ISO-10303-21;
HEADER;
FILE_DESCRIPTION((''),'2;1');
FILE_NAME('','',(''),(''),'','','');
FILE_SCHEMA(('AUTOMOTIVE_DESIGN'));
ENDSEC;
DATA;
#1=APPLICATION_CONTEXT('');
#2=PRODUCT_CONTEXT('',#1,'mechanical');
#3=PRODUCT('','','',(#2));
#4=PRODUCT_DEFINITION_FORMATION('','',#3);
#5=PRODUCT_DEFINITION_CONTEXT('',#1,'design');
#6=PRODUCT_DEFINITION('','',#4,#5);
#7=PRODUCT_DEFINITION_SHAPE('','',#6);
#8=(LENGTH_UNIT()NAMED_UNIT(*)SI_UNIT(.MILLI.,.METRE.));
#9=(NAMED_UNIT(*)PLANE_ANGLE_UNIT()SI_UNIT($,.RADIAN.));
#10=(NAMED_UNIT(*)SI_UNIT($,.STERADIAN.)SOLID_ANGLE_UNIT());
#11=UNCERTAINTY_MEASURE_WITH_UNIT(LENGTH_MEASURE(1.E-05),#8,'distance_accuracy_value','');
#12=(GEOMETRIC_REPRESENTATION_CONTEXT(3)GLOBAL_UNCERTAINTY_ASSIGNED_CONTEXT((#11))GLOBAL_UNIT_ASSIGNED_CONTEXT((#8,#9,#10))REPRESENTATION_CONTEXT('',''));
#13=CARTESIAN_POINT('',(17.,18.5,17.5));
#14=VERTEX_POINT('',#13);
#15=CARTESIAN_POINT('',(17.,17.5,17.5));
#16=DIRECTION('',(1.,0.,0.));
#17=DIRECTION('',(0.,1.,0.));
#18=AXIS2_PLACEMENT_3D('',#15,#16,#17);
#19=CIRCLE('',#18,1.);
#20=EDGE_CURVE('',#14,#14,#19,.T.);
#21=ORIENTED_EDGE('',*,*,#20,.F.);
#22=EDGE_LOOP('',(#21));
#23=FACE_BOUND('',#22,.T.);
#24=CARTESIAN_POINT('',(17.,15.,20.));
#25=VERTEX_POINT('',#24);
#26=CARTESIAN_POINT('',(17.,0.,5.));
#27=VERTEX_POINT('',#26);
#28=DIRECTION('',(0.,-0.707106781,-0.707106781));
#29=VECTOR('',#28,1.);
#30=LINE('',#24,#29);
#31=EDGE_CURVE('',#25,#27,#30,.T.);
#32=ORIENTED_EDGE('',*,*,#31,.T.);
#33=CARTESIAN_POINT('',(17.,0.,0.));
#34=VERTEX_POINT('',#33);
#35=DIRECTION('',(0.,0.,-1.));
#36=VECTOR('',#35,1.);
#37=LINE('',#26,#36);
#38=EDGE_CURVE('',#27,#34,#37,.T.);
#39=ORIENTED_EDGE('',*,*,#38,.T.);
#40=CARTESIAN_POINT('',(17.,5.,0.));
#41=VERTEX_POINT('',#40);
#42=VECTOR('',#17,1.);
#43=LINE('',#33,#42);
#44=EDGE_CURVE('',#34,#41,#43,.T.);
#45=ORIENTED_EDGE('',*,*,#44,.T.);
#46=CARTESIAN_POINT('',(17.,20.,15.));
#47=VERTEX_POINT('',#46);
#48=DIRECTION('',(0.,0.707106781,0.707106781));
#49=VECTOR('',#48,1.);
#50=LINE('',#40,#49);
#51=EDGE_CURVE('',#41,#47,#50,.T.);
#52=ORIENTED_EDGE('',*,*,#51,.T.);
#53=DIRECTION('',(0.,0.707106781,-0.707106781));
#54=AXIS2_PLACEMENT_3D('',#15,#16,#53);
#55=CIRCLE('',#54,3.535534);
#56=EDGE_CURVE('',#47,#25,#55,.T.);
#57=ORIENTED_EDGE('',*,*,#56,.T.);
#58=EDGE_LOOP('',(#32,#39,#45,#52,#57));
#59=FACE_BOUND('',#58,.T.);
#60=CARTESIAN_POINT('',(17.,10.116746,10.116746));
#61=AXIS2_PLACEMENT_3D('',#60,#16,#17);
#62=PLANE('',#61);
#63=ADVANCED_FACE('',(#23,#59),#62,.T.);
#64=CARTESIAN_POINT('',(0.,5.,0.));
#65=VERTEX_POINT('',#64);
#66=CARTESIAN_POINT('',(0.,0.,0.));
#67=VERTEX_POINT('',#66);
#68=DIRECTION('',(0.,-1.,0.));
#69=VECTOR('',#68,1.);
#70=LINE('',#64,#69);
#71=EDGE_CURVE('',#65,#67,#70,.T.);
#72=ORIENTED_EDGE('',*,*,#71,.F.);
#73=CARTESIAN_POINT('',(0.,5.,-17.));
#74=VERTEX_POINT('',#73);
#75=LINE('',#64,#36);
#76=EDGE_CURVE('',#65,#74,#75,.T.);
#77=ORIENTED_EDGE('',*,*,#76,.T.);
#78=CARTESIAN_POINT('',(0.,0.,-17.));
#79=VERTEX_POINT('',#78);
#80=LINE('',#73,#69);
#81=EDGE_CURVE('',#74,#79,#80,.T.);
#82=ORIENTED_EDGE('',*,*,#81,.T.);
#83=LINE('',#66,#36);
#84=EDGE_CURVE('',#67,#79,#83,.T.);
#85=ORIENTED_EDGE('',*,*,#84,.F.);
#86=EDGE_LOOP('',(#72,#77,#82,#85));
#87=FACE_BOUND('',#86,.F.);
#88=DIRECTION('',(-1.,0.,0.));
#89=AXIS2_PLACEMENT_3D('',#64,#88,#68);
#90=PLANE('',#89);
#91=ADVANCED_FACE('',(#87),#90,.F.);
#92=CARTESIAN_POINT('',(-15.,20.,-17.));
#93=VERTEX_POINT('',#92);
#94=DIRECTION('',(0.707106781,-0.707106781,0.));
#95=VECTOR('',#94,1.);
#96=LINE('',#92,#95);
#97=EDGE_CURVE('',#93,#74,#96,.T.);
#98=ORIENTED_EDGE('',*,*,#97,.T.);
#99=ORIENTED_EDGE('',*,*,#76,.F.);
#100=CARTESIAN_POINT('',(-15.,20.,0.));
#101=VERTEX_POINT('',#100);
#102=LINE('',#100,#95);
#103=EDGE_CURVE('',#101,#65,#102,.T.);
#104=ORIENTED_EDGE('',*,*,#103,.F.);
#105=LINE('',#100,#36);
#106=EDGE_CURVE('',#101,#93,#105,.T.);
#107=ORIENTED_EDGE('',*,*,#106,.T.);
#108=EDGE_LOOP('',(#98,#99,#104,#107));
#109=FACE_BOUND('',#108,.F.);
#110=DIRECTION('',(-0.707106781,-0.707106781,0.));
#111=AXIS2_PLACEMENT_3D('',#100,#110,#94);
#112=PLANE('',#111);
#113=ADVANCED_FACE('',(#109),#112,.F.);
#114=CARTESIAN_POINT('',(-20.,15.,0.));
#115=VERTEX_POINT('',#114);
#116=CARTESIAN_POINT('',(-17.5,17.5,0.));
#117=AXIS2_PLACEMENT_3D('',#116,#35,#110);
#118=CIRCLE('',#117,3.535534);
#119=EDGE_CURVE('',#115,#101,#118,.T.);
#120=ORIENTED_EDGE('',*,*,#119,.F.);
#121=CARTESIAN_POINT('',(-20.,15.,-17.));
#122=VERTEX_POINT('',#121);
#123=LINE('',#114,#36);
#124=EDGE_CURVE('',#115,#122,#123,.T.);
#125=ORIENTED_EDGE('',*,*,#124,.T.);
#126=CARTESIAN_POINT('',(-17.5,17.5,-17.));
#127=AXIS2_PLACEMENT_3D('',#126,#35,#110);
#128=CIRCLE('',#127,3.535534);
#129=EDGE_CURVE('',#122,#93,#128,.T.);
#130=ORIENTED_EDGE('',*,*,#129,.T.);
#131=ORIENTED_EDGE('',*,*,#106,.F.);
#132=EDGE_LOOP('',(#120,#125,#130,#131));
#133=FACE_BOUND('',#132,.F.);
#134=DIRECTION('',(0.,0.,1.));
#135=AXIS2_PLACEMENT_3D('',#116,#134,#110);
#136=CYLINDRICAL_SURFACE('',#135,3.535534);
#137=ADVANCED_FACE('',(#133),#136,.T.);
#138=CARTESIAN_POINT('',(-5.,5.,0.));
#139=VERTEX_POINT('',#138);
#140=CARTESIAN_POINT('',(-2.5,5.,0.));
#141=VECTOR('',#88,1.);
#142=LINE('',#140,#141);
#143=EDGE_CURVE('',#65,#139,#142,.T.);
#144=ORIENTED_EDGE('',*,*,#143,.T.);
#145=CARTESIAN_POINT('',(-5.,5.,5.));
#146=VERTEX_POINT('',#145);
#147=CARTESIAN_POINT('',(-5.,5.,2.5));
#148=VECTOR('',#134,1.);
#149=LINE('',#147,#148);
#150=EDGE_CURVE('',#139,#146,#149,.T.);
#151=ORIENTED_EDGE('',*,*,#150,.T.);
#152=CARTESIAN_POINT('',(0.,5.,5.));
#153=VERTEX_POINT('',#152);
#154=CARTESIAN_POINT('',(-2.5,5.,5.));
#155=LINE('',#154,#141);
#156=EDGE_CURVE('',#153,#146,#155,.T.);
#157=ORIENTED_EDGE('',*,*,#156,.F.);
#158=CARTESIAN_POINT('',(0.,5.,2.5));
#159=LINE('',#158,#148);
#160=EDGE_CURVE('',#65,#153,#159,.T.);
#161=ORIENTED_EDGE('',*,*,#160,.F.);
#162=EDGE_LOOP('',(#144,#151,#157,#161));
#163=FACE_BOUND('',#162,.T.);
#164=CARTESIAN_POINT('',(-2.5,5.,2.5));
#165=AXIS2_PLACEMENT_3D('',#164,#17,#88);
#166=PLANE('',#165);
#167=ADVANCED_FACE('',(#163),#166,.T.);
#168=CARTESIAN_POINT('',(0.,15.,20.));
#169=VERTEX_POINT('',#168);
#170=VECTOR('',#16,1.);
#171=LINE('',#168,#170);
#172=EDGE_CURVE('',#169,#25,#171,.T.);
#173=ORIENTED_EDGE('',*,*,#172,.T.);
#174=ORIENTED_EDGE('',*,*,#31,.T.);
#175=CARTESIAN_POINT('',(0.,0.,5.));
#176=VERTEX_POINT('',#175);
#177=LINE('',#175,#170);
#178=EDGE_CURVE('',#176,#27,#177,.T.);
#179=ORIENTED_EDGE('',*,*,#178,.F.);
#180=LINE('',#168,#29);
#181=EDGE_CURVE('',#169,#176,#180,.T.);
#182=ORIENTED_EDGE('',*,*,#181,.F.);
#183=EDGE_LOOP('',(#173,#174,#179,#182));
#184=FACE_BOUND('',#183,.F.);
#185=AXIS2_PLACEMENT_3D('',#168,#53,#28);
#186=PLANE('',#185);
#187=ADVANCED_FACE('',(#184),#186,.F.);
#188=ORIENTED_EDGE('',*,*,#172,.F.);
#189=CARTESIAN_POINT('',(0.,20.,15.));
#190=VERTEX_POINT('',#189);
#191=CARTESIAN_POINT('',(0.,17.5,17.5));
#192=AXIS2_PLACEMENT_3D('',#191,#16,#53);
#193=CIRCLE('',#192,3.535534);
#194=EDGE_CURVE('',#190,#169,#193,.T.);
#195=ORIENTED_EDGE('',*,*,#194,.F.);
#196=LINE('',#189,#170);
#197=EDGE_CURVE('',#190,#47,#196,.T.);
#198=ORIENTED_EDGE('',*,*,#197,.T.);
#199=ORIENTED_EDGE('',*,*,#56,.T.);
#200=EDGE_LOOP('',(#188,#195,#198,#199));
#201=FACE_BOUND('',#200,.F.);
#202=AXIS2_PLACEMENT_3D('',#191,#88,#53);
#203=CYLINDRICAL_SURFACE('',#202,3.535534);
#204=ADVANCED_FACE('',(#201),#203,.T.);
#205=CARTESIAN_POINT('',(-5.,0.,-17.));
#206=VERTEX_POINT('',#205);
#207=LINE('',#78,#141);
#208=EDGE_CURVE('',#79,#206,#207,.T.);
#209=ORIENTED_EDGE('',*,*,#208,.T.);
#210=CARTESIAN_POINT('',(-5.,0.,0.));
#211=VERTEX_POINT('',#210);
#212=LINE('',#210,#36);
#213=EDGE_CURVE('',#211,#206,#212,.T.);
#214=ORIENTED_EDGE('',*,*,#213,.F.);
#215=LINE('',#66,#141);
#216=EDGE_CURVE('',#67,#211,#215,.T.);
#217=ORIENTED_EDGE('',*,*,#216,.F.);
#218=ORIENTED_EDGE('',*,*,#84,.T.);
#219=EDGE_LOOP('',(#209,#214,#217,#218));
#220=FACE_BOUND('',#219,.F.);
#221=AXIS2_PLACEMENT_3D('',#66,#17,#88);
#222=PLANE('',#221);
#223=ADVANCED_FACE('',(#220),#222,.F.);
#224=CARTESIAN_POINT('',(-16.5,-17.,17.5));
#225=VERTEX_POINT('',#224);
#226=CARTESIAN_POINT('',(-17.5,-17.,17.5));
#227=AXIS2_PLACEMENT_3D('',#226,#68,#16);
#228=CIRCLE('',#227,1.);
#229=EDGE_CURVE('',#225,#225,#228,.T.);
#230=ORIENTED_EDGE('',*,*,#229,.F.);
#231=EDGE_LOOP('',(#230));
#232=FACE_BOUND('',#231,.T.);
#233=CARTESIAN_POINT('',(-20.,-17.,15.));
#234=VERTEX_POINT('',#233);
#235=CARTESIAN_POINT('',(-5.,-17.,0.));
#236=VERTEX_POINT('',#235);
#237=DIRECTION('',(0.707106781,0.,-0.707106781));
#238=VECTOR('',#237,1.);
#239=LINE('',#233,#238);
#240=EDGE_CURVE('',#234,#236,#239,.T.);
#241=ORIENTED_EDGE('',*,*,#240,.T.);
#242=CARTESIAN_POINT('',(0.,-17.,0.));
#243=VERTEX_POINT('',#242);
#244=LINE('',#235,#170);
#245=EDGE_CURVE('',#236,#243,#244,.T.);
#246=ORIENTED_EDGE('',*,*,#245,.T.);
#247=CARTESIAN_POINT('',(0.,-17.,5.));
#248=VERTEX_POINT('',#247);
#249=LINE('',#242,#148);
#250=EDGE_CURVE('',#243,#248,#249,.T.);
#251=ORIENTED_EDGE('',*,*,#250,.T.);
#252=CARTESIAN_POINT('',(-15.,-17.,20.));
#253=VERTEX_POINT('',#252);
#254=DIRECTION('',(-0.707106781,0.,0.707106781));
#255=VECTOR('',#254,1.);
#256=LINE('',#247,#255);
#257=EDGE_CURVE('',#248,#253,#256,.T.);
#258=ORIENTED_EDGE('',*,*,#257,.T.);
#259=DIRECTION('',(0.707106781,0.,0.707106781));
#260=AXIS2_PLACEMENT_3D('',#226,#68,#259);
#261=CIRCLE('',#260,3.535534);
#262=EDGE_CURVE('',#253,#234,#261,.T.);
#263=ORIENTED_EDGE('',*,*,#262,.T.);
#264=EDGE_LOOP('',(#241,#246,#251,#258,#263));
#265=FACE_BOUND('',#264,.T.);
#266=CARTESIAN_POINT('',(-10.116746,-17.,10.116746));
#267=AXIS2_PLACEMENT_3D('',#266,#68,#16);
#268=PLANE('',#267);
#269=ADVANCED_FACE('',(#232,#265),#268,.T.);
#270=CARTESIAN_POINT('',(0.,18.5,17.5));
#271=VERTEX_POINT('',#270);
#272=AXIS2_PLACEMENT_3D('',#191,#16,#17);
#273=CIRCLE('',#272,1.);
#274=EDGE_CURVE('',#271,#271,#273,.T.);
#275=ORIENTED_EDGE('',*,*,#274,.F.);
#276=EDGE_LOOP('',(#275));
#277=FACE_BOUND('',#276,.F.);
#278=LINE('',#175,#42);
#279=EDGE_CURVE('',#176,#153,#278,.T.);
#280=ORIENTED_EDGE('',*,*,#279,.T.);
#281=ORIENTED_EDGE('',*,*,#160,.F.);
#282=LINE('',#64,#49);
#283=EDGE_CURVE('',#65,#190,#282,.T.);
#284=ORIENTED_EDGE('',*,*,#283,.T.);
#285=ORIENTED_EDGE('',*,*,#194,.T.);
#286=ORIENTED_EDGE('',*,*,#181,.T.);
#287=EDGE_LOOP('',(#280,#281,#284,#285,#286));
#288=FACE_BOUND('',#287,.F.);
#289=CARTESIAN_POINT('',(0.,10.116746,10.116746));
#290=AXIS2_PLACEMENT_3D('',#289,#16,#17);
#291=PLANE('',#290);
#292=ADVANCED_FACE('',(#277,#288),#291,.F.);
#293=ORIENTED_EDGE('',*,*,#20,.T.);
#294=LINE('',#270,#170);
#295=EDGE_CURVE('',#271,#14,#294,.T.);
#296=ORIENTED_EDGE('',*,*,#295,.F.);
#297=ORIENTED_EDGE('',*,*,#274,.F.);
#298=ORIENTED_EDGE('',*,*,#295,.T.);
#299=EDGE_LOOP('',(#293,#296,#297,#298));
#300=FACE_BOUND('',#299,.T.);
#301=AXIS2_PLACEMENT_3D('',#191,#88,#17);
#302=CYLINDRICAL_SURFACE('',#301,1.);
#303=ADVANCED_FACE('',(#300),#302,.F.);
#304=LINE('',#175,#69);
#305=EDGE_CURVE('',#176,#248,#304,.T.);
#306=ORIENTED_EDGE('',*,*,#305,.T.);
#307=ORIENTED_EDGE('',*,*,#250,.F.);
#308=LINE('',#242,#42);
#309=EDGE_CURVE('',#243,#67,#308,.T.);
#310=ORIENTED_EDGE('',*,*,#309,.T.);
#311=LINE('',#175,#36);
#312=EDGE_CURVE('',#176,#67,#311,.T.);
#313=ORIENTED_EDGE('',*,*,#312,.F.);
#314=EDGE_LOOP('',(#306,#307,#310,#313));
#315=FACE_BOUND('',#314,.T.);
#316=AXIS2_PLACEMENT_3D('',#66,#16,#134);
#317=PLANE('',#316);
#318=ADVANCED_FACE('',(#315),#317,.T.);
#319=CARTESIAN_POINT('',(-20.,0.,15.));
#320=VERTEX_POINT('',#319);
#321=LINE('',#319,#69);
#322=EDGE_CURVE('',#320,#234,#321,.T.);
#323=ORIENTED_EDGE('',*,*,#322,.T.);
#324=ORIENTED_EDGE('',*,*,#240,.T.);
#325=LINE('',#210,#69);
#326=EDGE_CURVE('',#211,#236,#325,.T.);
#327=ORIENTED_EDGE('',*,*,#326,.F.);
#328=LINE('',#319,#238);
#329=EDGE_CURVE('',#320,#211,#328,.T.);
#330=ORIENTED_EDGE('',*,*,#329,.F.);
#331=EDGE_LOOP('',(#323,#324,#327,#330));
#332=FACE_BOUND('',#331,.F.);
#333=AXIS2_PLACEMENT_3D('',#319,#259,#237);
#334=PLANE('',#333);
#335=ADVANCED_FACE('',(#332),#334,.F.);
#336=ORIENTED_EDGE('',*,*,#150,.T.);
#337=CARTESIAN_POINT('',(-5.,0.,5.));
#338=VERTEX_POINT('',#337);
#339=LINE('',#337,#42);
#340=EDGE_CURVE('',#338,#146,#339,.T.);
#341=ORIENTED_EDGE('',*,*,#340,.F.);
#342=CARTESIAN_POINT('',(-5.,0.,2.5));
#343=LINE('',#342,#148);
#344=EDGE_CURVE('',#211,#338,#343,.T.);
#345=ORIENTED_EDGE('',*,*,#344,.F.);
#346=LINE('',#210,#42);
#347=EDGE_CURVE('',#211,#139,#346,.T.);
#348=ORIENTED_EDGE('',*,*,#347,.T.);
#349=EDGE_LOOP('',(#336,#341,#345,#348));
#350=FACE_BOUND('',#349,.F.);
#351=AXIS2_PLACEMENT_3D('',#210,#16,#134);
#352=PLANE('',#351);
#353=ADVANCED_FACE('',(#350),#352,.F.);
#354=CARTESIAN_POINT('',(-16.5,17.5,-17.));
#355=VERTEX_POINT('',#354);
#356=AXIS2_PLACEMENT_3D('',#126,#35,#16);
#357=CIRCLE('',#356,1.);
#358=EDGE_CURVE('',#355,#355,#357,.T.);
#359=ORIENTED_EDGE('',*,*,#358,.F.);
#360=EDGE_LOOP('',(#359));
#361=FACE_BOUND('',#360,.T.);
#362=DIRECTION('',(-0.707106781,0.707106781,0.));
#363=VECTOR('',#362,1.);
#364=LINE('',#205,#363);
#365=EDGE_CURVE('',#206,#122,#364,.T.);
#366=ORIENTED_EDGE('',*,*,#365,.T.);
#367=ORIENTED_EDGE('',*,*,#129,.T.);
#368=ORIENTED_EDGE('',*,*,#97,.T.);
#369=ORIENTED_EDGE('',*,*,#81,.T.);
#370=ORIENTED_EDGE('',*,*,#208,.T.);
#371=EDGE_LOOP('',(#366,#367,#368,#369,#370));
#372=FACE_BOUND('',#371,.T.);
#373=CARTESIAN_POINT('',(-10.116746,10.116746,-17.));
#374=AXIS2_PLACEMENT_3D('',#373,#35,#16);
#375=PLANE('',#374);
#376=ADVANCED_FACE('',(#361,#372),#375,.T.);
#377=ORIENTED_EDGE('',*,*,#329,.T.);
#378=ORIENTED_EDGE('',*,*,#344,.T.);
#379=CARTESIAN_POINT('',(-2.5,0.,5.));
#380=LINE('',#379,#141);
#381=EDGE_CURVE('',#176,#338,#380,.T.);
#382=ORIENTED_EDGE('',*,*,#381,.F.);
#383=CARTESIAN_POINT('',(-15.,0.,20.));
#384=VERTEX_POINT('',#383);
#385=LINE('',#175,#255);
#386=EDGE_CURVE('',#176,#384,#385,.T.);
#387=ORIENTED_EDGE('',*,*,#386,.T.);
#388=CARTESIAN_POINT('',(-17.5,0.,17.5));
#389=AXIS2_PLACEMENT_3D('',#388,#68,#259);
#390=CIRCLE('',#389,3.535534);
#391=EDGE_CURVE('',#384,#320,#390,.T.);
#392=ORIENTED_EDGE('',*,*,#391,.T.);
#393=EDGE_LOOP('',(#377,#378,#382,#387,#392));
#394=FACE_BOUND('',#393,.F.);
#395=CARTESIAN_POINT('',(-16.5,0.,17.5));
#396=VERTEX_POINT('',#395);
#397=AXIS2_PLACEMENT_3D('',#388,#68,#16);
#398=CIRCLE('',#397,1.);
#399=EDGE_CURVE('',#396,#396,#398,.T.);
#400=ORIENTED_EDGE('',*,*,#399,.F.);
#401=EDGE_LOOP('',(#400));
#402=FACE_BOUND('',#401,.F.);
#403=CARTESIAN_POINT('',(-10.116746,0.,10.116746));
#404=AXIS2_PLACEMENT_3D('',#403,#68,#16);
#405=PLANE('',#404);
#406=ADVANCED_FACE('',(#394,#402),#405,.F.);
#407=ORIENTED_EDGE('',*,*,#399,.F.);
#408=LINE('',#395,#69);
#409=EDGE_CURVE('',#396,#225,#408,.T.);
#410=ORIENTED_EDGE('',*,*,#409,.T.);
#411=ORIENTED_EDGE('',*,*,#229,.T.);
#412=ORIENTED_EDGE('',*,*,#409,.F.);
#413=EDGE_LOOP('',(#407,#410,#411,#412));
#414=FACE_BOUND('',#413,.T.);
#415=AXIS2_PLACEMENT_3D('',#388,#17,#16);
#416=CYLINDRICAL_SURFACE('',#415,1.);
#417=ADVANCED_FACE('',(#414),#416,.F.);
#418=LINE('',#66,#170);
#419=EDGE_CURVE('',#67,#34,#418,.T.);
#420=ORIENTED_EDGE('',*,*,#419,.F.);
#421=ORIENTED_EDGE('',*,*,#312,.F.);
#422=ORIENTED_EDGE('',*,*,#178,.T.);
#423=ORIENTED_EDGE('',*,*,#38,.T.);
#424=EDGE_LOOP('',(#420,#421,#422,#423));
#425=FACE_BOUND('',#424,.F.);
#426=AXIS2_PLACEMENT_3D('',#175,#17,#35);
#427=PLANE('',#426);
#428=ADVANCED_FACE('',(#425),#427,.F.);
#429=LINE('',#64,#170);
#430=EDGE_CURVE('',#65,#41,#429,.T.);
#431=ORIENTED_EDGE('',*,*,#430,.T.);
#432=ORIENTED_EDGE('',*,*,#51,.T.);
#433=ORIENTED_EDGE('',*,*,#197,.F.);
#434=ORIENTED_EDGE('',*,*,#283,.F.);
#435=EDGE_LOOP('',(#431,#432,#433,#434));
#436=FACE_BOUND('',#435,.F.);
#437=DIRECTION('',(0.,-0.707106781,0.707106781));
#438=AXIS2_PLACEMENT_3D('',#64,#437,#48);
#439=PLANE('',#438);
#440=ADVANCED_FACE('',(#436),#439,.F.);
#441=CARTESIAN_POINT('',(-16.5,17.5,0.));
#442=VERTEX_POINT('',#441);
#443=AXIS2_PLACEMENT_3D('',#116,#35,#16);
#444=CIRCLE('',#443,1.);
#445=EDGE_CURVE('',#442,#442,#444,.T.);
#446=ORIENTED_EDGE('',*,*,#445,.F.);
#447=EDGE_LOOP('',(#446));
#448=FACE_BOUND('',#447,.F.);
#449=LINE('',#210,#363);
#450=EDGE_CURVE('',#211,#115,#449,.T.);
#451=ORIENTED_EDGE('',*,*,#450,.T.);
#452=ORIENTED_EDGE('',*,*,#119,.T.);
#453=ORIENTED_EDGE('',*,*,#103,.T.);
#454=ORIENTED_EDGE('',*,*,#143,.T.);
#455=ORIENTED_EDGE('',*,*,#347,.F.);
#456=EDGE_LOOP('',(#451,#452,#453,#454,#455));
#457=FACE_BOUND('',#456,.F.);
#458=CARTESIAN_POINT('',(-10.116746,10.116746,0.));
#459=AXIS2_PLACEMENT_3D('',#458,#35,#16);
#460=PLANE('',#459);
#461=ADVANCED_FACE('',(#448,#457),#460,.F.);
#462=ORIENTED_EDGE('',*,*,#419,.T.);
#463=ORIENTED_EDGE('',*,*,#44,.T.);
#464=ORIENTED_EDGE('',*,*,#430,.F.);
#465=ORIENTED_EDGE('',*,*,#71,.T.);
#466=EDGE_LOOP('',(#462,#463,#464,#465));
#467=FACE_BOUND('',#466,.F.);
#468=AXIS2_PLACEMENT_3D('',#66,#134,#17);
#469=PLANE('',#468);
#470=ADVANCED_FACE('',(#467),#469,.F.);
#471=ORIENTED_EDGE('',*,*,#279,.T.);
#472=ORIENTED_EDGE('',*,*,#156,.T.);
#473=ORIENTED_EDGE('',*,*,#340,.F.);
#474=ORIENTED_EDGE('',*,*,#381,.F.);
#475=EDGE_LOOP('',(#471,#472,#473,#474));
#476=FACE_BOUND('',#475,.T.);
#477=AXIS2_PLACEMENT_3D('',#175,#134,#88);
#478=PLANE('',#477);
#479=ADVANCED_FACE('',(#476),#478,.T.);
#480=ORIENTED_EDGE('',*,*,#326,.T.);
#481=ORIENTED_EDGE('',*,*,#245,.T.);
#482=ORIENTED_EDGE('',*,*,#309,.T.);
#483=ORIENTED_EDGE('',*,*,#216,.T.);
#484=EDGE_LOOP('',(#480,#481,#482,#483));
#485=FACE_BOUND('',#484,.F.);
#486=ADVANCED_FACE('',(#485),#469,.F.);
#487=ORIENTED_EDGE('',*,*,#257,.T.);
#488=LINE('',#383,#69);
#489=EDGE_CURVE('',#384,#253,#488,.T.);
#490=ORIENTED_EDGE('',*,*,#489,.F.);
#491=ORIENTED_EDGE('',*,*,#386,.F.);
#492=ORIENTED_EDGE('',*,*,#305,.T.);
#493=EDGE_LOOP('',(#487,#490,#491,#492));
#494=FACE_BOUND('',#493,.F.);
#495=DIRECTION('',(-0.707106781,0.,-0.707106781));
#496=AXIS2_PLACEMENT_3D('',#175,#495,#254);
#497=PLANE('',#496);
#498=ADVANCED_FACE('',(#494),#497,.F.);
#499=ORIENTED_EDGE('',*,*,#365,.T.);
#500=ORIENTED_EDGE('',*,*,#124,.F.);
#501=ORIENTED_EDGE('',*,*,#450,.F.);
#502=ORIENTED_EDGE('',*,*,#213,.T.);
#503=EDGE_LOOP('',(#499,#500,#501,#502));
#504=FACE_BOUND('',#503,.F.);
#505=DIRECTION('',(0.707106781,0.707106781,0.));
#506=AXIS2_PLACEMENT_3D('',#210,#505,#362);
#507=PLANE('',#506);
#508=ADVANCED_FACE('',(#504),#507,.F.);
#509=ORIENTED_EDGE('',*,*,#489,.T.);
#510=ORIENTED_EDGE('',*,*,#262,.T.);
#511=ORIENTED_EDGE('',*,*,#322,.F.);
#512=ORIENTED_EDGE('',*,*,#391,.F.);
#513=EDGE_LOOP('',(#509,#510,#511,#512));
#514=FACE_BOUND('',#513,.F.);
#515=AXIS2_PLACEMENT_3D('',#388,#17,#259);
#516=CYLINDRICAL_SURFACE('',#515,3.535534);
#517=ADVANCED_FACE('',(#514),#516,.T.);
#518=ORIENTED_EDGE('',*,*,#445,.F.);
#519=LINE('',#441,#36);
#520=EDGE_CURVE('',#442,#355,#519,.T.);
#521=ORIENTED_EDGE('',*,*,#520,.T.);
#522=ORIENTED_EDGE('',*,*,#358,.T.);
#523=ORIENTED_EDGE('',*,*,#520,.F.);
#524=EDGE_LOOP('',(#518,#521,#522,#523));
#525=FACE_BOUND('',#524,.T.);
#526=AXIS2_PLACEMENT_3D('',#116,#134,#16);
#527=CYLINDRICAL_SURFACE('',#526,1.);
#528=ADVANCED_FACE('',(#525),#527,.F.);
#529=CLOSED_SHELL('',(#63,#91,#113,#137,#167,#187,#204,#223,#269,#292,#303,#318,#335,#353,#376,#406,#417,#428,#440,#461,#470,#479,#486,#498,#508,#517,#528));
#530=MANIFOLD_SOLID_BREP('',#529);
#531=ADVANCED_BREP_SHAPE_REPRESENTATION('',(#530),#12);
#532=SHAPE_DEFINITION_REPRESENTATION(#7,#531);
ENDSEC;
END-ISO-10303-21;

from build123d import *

# Parameters (mm, degrees)
F0_R     = 1
F1_DEPTH = 17
F2_W     = 5
F2_H     = 5
F3_DEPTH = 5
F4_R     = 1
F5_DEPTH = 17
F6_R     = 1
F7_DEPTH = 17


with BuildPart() as f1:
    # F0 (on Front) → F1 (new body)
    with BuildSketch(Plane.XZ):
        with BuildLine():
            Line((-5, 0), (0, 0))
            Line((0, 0), (0, 5))
            Line((0, 5), (-15, 20))
            ThreePointArc((-15, 20), (-20, 20), (-20, 15))
            Line((-20, 15), (-5, 0))
        make_face()
        with Locations((-17.5, 17.5)):
            Circle(F0_R, mode=Mode.SUBTRACT)
    extrude(amount=F1_DEPTH)

    # F2 (on face) → F3 (join)
    with BuildSketch(Plane(origin=(0, 0, 0), x_dir=(-1, 0, 0), z_dir=(0, 1, 0))):
        with Locations((2.5, 2.5)):
            Rectangle(F2_W, F2_H)
    extrude(amount=F3_DEPTH)

    # F4 (on face) → F5 (join)
    with BuildSketch(Plane.YZ):
        with BuildLine():
            Line((0, 5), (0, 0))
            Line((0, 0), (5, 0))
            Line((5, 0), (20, 15))
            ThreePointArc((20, 15), (20, 20), (15, 20))
            Line((15, 20), (0, 5))
        make_face()
        with Locations((17.5, 17.5)):
            Circle(F4_R, mode=Mode.SUBTRACT)
    extrude(amount=F5_DEPTH)

    # F6 (on face) → F7 (join)
    with BuildSketch(Plane(origin=(0, 0, 0), x_dir=(1, 0, 0), z_dir=(0, 0, -1))):
        with BuildLine():
            Line((0, -5), (0, 0))
            Line((0, 0), (-5, 0))
            Line((-5, 0), (-20, -15))
            ThreePointArc((-20, -15), (-20, -20), (-15, -20))
            Line((-15, -20), (0, -5))
        make_face()
        with Locations((-17.5, -17.5)):
            Circle(F6_R, mode=Mode.SUBTRACT)
    extrude(amount=F7_DEPTH)


solid = f1.part
